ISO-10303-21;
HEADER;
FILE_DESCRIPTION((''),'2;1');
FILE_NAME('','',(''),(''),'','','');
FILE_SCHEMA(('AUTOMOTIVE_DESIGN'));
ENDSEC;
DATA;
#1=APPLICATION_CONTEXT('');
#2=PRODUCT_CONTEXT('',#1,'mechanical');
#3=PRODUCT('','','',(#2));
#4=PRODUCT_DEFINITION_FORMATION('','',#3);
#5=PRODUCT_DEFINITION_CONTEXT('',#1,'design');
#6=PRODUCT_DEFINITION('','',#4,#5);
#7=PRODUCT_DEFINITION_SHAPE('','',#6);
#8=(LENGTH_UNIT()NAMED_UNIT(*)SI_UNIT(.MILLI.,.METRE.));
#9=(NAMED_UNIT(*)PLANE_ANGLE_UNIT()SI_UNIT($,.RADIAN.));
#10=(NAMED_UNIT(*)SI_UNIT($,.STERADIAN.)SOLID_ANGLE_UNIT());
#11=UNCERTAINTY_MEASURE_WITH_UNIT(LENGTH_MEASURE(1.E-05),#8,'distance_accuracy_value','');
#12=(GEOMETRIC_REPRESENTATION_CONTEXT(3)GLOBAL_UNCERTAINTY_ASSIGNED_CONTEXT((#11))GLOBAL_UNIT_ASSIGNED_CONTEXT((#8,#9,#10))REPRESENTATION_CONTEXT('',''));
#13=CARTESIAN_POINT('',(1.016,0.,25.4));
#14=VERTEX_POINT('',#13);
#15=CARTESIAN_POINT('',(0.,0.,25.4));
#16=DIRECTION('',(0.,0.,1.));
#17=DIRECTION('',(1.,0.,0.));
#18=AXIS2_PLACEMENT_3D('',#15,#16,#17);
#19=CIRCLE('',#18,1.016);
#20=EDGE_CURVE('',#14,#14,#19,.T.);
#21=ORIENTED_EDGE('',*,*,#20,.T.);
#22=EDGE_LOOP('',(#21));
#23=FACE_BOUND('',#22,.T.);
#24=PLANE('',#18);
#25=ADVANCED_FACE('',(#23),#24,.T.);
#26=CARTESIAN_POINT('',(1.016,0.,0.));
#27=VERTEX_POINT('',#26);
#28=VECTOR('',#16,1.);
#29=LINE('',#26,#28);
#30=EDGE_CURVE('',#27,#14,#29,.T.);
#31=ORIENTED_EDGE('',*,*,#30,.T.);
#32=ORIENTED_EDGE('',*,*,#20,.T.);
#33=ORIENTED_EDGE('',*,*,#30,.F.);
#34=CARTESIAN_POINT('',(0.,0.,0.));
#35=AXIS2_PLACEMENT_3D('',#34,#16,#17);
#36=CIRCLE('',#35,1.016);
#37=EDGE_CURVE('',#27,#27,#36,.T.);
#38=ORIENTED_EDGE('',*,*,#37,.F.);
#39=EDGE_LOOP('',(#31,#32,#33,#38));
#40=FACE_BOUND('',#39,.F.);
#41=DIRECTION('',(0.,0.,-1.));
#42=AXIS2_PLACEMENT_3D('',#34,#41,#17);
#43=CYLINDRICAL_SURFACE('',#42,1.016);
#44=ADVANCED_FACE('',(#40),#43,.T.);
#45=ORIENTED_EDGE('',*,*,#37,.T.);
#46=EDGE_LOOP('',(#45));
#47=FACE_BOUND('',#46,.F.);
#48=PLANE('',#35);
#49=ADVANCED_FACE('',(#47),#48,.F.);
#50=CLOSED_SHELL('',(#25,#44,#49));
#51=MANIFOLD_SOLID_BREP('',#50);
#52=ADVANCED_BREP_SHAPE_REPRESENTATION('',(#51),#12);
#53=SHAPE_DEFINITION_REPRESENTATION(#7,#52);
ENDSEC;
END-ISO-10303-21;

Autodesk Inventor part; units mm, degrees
ref_plane "YZ Plane" through (0, 0, 0) normal (1, 0, 0) x (0, 1, 0)
ref_plane "XZ Plane" through (0, 0, 0) normal (0, 1, 0) x (-1, 0, 0)
ref_plane "XY Plane" through (0, 0, 0) normal (0, 0, 1) x (1, 0, 0)
sketch "Sketch1" plane through (0, 0, 0) normal (0, 0, 1) x (1, 0, 0)
  circle A0 centre (0, 0) radius 1.016
  dimension "d0" = 2.032
  dimension "d0" = 2.032
extrude "Extrusion1" add sketch "Sketch1" along normal blind 25.4
properties part number "Jig_pin_p080"
